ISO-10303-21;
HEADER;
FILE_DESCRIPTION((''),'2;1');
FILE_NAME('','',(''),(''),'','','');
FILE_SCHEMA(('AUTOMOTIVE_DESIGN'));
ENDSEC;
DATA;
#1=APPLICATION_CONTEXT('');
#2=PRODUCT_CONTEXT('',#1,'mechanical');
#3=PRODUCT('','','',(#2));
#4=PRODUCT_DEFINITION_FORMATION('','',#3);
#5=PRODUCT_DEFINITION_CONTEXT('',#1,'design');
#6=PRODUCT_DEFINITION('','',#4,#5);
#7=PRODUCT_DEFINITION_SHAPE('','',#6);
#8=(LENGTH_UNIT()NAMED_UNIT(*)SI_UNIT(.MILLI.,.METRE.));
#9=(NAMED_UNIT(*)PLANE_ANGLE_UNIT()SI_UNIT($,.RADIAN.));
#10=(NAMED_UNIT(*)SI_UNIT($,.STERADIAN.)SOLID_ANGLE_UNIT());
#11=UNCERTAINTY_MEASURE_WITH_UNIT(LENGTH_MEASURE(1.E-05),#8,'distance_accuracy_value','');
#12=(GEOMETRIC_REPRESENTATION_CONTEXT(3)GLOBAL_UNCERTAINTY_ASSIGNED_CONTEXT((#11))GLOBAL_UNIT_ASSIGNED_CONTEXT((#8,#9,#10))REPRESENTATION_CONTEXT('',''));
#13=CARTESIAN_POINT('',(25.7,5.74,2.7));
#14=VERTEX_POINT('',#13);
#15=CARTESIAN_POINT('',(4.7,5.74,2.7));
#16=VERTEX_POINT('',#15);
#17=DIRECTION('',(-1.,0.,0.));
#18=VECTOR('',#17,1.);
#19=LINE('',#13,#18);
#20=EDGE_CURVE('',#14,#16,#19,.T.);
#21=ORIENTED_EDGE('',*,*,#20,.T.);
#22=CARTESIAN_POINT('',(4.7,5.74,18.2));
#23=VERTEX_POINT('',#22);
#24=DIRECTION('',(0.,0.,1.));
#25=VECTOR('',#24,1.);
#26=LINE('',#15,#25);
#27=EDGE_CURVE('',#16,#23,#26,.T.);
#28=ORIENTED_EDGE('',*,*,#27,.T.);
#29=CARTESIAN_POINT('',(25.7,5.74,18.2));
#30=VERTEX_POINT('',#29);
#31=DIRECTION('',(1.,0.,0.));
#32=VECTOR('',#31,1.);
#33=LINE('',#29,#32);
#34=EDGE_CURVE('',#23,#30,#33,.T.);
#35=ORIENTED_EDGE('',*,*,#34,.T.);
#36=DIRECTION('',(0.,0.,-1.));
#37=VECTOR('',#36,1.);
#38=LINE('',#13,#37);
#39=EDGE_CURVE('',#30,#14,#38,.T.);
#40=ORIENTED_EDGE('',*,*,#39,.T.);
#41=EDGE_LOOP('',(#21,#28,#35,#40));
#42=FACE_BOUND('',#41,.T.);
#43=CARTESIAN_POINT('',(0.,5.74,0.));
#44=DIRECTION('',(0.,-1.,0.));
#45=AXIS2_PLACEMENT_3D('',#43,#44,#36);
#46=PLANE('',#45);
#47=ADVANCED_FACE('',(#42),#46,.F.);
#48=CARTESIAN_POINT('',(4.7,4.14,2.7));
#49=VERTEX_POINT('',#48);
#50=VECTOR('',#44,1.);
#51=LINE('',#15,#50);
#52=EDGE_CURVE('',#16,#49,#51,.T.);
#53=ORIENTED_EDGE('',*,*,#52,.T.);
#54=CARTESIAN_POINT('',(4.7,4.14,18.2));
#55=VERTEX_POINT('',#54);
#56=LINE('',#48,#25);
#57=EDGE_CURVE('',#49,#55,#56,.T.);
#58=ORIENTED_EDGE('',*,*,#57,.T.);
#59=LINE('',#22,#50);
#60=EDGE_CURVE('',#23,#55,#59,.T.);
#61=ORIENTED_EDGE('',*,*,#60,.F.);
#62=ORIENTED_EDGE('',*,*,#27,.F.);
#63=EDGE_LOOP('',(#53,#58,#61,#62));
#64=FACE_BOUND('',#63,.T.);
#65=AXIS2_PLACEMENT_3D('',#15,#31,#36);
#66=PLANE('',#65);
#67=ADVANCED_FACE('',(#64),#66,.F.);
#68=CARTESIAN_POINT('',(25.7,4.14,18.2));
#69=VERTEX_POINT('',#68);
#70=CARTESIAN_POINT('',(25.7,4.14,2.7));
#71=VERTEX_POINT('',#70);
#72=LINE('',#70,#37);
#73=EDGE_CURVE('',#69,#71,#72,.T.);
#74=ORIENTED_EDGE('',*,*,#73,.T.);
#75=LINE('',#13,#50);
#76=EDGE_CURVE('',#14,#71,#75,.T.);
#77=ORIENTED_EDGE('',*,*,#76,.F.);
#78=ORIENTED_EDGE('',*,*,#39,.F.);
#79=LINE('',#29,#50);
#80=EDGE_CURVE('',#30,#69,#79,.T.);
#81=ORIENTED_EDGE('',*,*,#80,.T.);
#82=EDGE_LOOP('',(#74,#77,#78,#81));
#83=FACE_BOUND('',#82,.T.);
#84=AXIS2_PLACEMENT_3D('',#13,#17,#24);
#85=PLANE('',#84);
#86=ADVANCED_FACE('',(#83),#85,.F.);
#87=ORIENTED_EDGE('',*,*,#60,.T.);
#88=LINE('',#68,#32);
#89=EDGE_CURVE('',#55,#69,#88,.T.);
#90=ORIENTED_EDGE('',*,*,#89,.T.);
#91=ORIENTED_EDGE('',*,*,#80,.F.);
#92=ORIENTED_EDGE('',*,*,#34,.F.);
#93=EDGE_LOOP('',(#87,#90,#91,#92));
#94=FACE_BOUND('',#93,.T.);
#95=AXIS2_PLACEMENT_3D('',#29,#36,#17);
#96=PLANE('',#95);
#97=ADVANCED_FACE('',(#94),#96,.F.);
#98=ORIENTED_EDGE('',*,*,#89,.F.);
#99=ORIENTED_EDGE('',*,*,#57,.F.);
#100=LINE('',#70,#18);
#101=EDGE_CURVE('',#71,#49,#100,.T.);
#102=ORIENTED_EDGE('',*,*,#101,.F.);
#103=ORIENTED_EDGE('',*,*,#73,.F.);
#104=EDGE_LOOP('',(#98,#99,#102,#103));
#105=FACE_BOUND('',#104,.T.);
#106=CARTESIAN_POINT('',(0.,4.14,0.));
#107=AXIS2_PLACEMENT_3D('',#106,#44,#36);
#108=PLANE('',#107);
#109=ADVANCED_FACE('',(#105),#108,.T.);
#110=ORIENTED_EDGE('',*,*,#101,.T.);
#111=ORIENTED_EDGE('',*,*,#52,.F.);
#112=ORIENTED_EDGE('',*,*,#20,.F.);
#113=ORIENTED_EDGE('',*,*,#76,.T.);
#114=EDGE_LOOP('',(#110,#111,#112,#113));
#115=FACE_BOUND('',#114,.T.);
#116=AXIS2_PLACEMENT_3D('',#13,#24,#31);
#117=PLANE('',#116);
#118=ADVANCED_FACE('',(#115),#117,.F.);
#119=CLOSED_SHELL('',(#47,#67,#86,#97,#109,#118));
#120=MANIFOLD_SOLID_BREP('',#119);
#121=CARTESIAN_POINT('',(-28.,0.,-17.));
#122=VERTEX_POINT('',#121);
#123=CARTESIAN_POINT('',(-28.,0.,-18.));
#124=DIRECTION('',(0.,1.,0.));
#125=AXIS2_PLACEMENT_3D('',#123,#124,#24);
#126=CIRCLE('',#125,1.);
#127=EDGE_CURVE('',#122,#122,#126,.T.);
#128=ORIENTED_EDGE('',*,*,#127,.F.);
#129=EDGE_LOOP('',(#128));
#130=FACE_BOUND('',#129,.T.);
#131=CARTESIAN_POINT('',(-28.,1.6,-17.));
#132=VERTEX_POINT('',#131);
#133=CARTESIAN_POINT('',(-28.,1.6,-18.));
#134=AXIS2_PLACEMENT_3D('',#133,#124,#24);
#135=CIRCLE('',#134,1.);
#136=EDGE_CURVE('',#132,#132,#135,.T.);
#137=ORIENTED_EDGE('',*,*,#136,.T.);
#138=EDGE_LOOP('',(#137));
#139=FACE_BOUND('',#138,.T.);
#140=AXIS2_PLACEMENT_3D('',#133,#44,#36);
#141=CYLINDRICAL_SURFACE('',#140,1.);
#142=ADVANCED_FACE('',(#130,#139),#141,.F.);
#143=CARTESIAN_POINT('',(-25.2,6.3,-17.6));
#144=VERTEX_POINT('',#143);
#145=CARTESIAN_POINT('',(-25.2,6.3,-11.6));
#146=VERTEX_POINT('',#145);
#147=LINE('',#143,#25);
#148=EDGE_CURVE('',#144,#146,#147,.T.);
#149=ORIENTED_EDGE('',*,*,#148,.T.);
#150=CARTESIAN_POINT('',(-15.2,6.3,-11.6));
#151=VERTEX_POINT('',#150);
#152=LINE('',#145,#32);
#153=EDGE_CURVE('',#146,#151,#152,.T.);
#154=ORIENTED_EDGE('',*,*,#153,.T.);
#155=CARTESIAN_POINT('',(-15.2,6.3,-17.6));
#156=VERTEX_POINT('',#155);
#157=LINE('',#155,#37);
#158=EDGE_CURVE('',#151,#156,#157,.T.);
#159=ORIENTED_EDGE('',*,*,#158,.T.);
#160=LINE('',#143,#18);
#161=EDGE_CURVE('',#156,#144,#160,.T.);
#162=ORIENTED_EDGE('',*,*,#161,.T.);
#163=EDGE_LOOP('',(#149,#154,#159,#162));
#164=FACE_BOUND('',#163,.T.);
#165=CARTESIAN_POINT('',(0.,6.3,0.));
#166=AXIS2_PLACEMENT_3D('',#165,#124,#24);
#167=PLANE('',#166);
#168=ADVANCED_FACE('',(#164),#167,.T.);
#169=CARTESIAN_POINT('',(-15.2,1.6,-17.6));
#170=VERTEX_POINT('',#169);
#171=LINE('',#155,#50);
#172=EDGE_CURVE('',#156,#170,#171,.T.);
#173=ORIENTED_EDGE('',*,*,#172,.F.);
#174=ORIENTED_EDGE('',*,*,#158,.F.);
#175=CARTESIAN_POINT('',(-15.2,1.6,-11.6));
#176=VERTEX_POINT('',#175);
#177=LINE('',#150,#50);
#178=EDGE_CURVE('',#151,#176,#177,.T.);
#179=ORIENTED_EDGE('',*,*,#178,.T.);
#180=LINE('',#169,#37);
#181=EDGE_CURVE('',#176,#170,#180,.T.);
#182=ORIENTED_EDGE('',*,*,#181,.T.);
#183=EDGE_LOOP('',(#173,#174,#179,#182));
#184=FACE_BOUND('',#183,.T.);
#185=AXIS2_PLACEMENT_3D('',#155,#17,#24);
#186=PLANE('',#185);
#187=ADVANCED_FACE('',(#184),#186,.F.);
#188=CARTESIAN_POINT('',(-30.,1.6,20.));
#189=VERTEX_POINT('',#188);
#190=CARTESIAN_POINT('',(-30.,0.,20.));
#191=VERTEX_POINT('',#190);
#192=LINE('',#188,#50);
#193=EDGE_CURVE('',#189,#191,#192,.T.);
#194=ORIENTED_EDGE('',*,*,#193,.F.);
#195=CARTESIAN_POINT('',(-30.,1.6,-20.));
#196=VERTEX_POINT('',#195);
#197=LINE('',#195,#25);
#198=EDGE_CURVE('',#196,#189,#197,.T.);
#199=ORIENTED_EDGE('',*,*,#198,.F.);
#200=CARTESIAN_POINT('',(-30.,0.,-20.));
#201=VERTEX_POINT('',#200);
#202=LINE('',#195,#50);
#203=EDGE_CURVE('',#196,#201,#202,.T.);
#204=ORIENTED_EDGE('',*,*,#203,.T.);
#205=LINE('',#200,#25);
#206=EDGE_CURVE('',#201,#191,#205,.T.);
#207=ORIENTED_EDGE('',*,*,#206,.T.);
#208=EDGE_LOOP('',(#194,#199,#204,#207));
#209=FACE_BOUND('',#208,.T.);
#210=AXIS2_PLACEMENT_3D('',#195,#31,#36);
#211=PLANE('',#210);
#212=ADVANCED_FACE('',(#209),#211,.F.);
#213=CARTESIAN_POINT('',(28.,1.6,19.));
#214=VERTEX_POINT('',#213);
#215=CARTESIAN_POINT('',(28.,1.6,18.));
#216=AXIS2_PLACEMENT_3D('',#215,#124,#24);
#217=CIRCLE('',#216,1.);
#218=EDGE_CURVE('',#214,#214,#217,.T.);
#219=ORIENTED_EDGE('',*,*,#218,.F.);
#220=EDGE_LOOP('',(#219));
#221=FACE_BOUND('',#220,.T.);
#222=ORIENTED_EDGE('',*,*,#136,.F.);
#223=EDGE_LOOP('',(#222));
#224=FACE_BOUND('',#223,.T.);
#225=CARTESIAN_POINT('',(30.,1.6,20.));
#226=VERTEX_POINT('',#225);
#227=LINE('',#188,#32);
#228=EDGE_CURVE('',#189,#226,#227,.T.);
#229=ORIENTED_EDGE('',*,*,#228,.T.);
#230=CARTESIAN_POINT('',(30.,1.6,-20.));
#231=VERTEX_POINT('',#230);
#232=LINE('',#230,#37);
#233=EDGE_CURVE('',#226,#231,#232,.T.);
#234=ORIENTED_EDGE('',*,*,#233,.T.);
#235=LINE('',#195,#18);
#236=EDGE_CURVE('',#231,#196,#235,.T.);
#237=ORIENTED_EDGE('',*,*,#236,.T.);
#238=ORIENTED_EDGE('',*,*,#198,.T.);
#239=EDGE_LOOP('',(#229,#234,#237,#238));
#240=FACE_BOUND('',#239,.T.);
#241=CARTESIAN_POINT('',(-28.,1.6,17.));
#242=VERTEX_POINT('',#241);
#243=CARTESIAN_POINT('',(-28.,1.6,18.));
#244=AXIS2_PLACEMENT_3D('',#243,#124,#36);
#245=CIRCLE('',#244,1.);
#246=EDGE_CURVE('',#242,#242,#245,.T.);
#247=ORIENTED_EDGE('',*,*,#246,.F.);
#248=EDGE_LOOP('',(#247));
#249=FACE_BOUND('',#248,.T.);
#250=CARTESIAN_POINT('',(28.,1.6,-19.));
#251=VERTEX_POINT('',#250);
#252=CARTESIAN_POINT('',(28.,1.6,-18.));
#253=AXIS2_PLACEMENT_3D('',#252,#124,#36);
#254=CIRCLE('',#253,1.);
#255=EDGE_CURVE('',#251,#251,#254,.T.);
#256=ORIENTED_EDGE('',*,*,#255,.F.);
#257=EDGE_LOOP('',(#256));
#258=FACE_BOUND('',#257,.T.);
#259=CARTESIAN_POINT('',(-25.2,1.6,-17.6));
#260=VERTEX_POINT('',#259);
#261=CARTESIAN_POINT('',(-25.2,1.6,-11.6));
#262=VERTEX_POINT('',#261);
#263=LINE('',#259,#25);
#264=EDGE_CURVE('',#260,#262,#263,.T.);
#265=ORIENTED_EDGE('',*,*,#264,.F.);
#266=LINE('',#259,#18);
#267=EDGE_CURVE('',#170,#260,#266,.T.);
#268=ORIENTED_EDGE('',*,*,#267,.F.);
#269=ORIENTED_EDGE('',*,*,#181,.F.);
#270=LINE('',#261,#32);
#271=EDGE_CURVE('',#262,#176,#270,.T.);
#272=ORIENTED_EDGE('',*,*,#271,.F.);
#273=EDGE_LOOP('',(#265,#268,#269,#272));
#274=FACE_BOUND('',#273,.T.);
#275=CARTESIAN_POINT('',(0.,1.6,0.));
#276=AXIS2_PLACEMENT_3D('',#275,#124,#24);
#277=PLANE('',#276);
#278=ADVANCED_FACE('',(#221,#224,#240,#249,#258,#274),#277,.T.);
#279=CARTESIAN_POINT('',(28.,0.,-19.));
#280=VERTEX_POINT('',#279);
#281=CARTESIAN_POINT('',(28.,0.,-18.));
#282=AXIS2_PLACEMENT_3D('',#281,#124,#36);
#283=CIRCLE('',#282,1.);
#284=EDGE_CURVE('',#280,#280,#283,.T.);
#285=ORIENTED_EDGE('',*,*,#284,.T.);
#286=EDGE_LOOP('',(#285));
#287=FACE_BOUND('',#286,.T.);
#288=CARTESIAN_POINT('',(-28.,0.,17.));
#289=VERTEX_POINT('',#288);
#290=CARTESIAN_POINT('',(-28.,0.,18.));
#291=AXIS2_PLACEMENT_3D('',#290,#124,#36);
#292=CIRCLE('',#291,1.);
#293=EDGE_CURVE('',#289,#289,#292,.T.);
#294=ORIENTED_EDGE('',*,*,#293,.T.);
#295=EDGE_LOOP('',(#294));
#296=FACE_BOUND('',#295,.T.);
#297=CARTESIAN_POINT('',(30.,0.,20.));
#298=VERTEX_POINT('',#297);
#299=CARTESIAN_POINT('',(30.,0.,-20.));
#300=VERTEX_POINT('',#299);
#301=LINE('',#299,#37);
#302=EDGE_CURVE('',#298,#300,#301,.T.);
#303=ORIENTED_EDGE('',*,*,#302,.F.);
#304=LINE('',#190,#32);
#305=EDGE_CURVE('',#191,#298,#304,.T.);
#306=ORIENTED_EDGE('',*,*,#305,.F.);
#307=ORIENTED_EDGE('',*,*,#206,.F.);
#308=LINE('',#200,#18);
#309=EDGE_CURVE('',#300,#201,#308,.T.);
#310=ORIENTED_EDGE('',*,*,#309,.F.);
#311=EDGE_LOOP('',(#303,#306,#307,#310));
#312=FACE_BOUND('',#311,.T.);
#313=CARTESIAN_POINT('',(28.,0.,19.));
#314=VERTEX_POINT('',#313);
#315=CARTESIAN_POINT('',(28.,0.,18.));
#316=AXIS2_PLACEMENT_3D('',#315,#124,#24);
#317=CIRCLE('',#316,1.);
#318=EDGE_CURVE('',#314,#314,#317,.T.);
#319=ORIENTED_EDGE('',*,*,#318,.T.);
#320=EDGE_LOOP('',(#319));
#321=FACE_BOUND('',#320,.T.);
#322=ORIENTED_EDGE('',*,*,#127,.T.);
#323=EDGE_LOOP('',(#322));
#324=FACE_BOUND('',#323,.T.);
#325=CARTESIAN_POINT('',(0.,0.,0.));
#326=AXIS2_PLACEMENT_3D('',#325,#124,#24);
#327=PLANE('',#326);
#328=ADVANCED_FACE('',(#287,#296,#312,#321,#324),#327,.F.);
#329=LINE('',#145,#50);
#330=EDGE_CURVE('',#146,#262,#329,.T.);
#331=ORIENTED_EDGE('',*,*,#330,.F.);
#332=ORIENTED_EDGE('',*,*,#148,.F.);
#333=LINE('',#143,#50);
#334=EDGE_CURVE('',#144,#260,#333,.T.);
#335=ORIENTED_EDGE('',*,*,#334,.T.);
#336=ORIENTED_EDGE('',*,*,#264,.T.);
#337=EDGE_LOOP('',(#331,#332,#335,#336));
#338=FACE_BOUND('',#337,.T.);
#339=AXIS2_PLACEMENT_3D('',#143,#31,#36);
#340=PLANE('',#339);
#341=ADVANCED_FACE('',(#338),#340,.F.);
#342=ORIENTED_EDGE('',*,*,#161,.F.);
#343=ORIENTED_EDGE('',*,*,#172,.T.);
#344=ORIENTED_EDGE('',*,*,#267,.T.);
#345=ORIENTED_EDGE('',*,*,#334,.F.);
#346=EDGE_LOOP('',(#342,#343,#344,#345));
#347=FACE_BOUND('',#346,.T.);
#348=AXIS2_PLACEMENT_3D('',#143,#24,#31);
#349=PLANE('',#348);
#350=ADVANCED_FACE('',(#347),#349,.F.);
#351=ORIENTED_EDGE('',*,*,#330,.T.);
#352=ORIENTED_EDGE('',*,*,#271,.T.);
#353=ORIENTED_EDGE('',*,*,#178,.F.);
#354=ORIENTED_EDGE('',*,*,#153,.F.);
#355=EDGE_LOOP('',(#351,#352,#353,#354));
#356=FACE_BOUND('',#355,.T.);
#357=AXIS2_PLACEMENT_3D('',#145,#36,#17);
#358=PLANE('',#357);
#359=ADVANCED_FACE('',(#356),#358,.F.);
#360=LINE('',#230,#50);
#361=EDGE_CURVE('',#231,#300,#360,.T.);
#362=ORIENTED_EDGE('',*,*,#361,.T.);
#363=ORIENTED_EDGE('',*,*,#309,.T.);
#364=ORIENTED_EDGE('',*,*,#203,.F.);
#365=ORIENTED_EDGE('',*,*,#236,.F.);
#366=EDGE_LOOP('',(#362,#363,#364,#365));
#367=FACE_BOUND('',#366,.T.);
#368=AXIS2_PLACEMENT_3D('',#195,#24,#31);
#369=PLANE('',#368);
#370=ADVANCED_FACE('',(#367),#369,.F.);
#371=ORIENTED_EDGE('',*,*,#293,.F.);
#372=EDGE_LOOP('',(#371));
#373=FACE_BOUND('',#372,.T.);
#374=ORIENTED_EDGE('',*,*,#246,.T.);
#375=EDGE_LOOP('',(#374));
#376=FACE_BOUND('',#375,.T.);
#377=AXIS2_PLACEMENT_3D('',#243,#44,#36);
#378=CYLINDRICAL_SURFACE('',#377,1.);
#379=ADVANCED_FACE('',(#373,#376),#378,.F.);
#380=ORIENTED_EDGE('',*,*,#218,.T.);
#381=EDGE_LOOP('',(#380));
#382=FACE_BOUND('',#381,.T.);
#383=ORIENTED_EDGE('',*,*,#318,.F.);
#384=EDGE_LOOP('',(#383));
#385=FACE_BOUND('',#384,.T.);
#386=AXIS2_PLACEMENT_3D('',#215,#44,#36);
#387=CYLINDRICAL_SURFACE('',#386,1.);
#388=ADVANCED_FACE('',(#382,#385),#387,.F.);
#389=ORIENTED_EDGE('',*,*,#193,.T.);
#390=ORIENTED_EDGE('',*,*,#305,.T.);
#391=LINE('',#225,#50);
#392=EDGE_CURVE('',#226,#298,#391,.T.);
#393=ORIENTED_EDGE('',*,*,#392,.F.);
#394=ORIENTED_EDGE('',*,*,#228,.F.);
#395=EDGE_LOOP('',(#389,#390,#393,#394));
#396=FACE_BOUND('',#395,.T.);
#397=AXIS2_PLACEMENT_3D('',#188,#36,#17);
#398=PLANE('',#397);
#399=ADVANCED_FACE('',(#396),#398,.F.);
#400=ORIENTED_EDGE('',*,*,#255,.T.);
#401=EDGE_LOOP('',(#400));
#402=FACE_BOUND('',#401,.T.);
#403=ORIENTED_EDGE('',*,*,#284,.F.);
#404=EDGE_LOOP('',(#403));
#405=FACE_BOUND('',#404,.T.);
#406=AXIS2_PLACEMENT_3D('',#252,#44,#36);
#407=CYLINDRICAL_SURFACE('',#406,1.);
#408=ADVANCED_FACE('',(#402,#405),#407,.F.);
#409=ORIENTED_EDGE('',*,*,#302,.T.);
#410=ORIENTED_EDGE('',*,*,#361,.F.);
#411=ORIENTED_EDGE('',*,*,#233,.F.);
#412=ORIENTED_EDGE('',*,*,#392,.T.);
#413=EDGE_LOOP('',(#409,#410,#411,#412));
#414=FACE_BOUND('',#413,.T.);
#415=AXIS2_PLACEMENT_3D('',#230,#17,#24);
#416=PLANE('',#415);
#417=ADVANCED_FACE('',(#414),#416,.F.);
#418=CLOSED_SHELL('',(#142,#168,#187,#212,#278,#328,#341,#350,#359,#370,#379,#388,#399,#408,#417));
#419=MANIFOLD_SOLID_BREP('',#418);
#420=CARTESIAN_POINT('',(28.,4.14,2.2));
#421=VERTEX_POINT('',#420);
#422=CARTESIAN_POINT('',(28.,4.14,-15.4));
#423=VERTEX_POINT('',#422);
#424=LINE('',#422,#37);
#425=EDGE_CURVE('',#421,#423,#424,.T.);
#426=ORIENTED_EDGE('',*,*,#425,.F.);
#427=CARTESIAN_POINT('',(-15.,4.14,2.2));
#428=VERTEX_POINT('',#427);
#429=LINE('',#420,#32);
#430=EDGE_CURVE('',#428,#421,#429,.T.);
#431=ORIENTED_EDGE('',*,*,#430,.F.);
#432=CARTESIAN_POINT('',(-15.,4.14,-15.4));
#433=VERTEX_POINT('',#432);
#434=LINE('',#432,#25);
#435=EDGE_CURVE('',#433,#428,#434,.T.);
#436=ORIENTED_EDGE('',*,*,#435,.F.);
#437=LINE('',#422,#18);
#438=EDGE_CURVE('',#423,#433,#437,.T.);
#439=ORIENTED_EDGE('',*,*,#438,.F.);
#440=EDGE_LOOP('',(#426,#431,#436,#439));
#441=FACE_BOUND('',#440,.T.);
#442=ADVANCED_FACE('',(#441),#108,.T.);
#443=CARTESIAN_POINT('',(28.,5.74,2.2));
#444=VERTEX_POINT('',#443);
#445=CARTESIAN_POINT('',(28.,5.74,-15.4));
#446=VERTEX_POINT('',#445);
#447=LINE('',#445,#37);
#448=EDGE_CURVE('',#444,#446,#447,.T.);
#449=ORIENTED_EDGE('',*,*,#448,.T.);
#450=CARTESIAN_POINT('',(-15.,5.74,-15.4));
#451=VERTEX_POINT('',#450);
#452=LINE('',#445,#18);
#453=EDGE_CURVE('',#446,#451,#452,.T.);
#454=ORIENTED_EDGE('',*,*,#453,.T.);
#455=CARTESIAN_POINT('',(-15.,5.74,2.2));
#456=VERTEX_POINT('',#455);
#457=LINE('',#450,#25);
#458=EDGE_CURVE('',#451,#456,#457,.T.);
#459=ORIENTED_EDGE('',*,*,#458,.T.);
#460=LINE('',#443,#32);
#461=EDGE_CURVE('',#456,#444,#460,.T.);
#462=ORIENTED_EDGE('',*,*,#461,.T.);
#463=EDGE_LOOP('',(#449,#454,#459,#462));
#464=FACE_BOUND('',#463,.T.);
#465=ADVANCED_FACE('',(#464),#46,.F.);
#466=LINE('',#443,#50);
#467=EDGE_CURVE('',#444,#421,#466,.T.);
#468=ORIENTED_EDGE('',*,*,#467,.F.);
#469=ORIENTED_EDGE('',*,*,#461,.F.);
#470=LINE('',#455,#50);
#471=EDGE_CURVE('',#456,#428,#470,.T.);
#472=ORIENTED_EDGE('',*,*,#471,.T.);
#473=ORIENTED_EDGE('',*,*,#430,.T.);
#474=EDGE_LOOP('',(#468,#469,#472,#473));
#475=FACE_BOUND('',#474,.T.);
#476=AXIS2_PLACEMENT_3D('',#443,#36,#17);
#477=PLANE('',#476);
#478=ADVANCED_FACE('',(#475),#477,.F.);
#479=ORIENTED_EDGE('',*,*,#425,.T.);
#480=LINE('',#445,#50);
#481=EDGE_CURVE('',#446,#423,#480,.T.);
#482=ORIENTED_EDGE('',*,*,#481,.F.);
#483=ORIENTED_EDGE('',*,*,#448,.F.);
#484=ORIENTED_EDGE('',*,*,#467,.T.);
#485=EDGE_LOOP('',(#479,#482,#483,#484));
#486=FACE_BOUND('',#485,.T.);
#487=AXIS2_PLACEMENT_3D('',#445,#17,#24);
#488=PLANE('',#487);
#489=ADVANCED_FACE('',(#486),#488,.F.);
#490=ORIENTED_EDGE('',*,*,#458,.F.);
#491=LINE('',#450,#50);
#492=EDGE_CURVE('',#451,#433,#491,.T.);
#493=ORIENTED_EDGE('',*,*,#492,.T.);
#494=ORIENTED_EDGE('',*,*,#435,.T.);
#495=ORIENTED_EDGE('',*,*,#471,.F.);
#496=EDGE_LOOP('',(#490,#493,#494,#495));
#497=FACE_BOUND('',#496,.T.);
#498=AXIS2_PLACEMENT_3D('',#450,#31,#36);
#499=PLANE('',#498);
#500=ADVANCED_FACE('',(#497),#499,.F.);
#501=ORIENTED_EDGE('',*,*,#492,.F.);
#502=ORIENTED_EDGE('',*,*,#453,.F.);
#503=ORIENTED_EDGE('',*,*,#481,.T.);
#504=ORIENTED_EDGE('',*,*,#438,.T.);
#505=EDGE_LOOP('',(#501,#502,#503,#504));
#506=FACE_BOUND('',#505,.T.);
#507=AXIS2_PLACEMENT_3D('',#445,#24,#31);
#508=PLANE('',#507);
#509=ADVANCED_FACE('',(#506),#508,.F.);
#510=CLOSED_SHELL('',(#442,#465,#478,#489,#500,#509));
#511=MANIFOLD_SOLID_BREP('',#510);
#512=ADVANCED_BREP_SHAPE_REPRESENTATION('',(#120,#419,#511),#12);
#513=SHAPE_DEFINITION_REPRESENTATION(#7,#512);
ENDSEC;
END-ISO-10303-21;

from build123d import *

# Parameters (mm, degrees)
SKETCH1_W             = 60
SKETCH1_H             = 40
SKETCH1_R             = 1
BOSS_EXTRUDE1_DEPTH   = 1.6
SKETCH3_W             = 43
SKETCH3_H             = 17.6
BOSS_EXTRUDE2_DEPTH   = 1.6
SKETCH3_W_2           = 21
SKETCH3_H_2           = 15.5
BOSS_EXTRUDE2_2_DEPTH = 1.6
SKETCH4_W             = 10
SKETCH4_H             = 6
BOSS_EXTRUDE3_DEPTH   = 4.7


with BuildPart() as part:
    # Sketch1 → Boss-Extrude1 (new body)
    with BuildSketch(Plane(origin=(0, 0, 0), x_dir=(1, 0, 0), z_dir=(0, 1, 0))):
        Rectangle(SKETCH1_W, SKETCH1_H)
        with Locations(Location((-28, 18, 0), (0, 0, 270))):
            Circle(SKETCH1_R, mode=Mode.SUBTRACT)
        with Locations(Location((28, 18, 0), (0, 0, 90))):
            Circle(SKETCH1_R, mode=Mode.SUBTRACT)
        with Locations(Location((28, -18, 0), (0, 0, 270))):
            Circle(SKETCH1_R, mode=Mode.SUBTRACT)
        with Locations(Location((-28, -18, 0), (0, 0, 90))):
            Circle(SKETCH1_R, mode=Mode.SUBTRACT)
    extrude(amount=BOSS_EXTRUDE1_DEPTH)

    # Sketch4 → Boss-Extrude3 (add)
    with BuildSketch(Plane(origin=(0, 1.6, 0), x_dir=(1, 0, 0), z_dir=(0, 1, 0))):
        with Locations((-20.2, 14.6)):
            Rectangle(SKETCH4_W, SKETCH4_H)
    extrude(amount=BOSS_EXTRUDE3_DEPTH)


with BuildPart() as body_2:
    # Sketch3 → Boss-Extrude2 (new body)
    with BuildSketch(Plane(origin=(0, 4.14, 0), x_dir=(1, 0, 0), z_dir=(0, 1, 0))):
        with Locations((6.5, 6.6)):
            Rectangle(SKETCH3_W, SKETCH3_H)
    extrude(amount=BOSS_EXTRUDE2_DEPTH)


with BuildPart() as body_3:
    # Sketch3 → Boss-Extrude2 2 (new body)
    with BuildSketch(Plane(origin=(0, 4.14, 0), x_dir=(1, 0, 0), z_dir=(0, 1, 0))):
        with Locations((15.2, -10.45)):
            Rectangle(SKETCH3_W_2, SKETCH3_H_2)
    extrude(amount=BOSS_EXTRUDE2_2_DEPTH)


solid = Compound([part.part, body_2.part, body_3.part])
